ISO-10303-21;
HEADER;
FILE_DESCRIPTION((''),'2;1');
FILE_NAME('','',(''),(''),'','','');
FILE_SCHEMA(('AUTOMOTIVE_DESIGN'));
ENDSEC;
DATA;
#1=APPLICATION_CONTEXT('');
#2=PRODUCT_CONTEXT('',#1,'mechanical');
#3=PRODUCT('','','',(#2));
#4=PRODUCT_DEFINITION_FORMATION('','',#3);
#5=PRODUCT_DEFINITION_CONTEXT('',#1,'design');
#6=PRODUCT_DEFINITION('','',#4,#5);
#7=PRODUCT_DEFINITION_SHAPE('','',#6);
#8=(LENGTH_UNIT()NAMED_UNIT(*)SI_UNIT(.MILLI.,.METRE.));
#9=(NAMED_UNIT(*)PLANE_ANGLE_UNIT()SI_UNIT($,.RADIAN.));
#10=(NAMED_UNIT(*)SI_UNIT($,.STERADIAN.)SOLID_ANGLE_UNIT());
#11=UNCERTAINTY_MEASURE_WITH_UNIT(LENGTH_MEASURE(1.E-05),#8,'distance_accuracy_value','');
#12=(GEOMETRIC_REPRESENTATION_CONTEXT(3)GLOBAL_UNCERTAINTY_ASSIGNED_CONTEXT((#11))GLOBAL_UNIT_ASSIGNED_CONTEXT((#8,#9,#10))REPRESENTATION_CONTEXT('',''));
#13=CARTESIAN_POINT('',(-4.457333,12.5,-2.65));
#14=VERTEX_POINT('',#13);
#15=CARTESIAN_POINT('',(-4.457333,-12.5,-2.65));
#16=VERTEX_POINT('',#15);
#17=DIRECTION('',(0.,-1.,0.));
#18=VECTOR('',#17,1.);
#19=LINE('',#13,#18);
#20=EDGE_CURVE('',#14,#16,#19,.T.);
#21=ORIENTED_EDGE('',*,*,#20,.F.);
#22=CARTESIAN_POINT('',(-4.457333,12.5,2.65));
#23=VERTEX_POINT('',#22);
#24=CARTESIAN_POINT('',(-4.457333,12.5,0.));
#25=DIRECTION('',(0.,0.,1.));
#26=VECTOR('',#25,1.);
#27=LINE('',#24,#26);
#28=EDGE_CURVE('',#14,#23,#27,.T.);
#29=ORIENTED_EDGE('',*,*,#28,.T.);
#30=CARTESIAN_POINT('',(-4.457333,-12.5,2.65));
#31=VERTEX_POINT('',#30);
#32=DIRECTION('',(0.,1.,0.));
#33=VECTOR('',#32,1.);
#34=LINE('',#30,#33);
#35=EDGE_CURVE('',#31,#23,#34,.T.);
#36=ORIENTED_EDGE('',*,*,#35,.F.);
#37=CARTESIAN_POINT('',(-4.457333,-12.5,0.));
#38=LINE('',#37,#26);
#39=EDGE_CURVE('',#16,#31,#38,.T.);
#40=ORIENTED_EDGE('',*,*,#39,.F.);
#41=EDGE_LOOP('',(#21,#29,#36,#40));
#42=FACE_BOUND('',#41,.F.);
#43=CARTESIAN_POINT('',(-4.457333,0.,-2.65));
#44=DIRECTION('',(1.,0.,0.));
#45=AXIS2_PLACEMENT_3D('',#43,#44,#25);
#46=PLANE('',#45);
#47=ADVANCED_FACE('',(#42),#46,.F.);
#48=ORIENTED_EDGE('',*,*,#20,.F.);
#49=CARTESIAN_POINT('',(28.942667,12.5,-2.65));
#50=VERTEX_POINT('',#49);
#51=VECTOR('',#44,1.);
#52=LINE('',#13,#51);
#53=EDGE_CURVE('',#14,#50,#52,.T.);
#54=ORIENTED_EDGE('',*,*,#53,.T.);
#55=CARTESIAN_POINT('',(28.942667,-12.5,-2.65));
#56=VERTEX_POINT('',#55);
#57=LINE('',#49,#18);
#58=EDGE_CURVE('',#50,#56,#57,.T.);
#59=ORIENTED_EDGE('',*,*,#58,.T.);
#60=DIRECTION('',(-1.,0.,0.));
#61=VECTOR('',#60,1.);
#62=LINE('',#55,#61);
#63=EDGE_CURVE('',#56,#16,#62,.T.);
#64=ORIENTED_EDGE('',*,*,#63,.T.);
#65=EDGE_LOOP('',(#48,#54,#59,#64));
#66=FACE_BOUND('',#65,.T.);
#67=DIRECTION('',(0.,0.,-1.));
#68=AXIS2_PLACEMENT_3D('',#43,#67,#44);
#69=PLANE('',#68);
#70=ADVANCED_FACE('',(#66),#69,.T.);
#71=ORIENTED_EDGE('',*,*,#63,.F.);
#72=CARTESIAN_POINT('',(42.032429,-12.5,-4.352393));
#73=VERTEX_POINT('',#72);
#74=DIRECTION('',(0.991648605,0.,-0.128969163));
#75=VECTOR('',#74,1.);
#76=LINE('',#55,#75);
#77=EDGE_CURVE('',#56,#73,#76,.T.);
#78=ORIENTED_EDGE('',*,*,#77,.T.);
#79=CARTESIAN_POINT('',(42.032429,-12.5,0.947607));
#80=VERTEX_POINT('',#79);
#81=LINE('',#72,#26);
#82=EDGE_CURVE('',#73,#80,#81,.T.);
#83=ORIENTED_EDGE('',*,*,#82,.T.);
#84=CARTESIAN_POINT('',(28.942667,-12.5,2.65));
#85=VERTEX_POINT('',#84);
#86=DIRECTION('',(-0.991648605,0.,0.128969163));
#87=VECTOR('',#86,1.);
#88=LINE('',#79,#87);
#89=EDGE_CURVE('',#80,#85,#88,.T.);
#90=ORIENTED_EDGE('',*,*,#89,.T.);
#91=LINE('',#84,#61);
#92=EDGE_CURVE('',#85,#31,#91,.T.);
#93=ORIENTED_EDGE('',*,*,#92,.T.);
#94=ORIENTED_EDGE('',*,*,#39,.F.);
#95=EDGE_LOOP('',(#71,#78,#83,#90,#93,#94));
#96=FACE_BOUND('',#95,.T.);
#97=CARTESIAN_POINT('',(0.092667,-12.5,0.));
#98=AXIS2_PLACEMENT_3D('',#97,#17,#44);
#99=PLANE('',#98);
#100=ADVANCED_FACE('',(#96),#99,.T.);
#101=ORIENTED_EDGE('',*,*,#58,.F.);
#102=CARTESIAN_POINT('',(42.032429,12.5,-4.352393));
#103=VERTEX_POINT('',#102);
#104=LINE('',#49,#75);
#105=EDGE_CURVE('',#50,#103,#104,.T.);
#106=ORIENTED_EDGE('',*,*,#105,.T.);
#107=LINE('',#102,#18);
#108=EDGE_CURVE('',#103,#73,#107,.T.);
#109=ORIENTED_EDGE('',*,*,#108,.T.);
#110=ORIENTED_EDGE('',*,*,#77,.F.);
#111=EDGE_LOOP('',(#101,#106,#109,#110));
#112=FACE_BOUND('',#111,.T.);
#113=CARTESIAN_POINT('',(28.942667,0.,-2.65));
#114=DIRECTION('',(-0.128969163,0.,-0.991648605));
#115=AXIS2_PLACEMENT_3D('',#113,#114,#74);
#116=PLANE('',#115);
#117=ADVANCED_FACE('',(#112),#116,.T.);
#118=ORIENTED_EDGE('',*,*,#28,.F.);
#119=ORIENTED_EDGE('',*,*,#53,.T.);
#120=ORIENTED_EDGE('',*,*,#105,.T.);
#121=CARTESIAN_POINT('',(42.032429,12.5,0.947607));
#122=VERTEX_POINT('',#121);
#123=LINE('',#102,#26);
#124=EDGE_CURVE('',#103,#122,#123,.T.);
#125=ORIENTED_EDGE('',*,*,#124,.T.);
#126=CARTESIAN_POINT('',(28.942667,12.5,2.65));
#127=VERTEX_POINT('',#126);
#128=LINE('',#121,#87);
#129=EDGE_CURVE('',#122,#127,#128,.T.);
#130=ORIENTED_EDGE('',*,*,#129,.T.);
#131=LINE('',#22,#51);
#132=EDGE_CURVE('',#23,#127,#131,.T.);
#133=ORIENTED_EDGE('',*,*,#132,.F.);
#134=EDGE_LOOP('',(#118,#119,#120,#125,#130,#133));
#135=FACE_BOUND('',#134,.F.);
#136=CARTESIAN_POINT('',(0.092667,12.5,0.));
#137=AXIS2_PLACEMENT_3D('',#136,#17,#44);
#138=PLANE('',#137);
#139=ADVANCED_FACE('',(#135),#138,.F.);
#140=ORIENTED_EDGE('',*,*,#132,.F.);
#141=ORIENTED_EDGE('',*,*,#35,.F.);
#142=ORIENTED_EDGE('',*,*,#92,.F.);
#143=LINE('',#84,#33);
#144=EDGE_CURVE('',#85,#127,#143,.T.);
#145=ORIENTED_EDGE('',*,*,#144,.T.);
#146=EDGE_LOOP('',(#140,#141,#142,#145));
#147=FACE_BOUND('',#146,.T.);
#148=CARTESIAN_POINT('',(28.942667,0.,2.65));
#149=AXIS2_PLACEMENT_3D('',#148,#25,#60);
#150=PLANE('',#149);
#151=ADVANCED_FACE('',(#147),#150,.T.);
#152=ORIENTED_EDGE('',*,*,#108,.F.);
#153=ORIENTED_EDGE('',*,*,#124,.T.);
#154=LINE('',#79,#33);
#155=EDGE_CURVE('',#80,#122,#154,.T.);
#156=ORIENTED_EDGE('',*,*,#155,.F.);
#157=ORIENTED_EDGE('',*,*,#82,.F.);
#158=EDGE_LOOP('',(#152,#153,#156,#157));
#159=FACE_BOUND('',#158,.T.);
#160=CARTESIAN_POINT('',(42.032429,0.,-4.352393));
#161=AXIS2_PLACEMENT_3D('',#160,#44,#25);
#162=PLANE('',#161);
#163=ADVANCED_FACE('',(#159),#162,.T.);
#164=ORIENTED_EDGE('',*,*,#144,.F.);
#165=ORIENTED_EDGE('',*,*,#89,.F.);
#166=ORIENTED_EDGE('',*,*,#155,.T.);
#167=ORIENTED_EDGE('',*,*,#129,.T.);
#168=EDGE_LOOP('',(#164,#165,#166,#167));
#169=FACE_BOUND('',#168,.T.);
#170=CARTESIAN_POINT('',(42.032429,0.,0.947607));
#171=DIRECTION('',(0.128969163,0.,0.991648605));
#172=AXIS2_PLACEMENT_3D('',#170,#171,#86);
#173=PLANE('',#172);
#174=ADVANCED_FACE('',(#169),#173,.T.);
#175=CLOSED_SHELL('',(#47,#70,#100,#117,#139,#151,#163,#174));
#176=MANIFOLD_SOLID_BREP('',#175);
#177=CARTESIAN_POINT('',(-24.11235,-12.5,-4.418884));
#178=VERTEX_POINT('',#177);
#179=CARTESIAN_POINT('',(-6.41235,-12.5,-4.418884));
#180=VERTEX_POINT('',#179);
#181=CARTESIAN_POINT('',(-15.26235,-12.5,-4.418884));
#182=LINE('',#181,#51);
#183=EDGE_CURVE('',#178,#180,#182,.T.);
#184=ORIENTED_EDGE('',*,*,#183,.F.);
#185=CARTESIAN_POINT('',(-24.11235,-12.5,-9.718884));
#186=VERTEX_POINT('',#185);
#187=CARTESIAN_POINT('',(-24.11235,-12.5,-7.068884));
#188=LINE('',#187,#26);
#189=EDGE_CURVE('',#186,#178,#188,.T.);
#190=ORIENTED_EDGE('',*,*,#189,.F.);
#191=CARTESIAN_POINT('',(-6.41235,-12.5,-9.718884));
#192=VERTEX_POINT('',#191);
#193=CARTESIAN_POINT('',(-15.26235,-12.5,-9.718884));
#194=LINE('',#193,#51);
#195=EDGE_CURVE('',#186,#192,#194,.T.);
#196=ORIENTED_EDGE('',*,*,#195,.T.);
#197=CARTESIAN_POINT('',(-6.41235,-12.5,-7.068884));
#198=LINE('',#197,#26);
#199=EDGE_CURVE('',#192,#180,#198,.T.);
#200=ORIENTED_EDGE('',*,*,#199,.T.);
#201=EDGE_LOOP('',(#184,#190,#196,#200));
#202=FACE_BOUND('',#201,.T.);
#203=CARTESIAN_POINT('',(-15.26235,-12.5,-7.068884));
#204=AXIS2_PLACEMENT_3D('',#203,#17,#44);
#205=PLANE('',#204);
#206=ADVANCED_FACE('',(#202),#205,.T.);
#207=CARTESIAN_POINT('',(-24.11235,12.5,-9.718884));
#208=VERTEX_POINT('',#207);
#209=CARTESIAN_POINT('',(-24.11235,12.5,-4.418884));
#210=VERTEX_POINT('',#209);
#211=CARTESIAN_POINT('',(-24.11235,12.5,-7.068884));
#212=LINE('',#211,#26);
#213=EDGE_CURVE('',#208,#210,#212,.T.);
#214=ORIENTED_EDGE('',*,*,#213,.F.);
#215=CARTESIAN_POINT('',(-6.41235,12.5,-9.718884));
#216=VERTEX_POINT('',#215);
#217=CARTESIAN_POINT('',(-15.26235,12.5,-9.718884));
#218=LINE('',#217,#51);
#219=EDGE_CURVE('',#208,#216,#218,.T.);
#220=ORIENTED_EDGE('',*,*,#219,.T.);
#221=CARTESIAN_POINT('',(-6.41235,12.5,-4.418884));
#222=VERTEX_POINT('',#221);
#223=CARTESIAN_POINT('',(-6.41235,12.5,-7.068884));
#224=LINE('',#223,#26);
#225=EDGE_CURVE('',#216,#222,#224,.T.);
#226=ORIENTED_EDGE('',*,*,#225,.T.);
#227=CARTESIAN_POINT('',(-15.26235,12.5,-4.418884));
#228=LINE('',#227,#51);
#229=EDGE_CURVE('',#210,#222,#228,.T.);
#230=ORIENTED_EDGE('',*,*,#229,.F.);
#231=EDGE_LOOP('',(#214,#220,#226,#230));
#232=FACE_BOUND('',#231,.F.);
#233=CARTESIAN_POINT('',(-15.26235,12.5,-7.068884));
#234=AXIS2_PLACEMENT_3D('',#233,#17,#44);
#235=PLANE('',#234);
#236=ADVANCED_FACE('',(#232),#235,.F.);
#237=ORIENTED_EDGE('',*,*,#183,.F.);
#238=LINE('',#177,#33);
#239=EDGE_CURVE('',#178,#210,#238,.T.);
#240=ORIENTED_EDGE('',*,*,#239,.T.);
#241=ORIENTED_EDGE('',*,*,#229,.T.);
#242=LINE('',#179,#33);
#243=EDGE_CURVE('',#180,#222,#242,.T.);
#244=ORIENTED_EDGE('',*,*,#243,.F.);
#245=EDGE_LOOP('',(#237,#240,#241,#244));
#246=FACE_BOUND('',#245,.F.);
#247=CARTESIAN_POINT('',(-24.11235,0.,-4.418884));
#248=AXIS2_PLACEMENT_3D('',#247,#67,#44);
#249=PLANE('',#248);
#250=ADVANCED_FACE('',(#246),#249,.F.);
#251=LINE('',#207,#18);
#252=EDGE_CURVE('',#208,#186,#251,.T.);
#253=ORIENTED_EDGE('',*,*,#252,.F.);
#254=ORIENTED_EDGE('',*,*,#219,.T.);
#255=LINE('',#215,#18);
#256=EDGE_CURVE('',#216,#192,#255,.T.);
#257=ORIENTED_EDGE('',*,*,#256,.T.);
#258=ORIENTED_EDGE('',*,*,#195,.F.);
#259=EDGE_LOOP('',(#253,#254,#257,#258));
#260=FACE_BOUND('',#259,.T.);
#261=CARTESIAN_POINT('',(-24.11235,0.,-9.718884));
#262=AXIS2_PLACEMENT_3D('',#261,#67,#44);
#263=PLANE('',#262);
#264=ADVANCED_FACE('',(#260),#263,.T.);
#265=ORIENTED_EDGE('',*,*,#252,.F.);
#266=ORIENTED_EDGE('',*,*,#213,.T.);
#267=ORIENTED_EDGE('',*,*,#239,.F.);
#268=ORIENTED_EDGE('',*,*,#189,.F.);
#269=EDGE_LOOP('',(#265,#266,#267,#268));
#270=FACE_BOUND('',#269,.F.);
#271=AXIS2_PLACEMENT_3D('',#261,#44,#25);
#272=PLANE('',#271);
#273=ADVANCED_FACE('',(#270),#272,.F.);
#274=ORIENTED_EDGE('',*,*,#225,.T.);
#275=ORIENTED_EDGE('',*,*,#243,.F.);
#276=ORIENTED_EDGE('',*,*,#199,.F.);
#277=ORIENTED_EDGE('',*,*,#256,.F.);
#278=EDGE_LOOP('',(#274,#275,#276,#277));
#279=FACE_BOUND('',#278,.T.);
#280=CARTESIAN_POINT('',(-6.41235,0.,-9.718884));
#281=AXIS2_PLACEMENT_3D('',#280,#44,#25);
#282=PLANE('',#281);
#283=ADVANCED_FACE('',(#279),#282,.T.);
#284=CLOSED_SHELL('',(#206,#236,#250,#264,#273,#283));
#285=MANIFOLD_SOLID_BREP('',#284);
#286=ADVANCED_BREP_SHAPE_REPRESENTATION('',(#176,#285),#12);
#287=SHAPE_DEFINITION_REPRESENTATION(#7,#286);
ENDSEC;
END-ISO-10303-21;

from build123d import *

# Parameters (mm, degrees)
F0_W     = 17.7
F0_H     = 5.3
F1_DEPTH = 12.5
F0_W_2   = 9.1
F0_W_3   = 24.3
F2_DEPTH = 12.5
F3_DEPTH = 12.5


with BuildPart() as f1:
    # F0 (on Front) → F1 (new body, symmetric)
    with BuildSketch(Plane.XZ):
        with Locations((-15.26235, -7.068884)):
            Rectangle(F0_W, F0_H)
    extrude(amount=F1_DEPTH, both=True)


with BuildPart() as f2:
    # F0 (on Front) → F2 (new body, symmetric)
    with BuildSketch(Plane.XZ):
        with Locations((0.092667, 0)):
            Rectangle(F0_W_2, F0_H)
        with Locations((16.792667, 0)):
            Rectangle(F0_W_3, F0_H)
    extrude(amount=F2_DEPTH, both=True)

    # F0 (on Front) → F3 (join, symmetric)
    with BuildSketch(Plane.XZ):
        with Locations((16.792667, 0)):
            Rectangle(F0_W_3, F0_H)
        Polygon((28.942667, 2.65), (28.942667, -2.65), (42.032429, -4.352393), (42.032429, -1.352393), (42.032429, 0.947607), align=None)
    extrude(amount=F3_DEPTH, both=True)


solid = Compound([f1.part, f2.part])
